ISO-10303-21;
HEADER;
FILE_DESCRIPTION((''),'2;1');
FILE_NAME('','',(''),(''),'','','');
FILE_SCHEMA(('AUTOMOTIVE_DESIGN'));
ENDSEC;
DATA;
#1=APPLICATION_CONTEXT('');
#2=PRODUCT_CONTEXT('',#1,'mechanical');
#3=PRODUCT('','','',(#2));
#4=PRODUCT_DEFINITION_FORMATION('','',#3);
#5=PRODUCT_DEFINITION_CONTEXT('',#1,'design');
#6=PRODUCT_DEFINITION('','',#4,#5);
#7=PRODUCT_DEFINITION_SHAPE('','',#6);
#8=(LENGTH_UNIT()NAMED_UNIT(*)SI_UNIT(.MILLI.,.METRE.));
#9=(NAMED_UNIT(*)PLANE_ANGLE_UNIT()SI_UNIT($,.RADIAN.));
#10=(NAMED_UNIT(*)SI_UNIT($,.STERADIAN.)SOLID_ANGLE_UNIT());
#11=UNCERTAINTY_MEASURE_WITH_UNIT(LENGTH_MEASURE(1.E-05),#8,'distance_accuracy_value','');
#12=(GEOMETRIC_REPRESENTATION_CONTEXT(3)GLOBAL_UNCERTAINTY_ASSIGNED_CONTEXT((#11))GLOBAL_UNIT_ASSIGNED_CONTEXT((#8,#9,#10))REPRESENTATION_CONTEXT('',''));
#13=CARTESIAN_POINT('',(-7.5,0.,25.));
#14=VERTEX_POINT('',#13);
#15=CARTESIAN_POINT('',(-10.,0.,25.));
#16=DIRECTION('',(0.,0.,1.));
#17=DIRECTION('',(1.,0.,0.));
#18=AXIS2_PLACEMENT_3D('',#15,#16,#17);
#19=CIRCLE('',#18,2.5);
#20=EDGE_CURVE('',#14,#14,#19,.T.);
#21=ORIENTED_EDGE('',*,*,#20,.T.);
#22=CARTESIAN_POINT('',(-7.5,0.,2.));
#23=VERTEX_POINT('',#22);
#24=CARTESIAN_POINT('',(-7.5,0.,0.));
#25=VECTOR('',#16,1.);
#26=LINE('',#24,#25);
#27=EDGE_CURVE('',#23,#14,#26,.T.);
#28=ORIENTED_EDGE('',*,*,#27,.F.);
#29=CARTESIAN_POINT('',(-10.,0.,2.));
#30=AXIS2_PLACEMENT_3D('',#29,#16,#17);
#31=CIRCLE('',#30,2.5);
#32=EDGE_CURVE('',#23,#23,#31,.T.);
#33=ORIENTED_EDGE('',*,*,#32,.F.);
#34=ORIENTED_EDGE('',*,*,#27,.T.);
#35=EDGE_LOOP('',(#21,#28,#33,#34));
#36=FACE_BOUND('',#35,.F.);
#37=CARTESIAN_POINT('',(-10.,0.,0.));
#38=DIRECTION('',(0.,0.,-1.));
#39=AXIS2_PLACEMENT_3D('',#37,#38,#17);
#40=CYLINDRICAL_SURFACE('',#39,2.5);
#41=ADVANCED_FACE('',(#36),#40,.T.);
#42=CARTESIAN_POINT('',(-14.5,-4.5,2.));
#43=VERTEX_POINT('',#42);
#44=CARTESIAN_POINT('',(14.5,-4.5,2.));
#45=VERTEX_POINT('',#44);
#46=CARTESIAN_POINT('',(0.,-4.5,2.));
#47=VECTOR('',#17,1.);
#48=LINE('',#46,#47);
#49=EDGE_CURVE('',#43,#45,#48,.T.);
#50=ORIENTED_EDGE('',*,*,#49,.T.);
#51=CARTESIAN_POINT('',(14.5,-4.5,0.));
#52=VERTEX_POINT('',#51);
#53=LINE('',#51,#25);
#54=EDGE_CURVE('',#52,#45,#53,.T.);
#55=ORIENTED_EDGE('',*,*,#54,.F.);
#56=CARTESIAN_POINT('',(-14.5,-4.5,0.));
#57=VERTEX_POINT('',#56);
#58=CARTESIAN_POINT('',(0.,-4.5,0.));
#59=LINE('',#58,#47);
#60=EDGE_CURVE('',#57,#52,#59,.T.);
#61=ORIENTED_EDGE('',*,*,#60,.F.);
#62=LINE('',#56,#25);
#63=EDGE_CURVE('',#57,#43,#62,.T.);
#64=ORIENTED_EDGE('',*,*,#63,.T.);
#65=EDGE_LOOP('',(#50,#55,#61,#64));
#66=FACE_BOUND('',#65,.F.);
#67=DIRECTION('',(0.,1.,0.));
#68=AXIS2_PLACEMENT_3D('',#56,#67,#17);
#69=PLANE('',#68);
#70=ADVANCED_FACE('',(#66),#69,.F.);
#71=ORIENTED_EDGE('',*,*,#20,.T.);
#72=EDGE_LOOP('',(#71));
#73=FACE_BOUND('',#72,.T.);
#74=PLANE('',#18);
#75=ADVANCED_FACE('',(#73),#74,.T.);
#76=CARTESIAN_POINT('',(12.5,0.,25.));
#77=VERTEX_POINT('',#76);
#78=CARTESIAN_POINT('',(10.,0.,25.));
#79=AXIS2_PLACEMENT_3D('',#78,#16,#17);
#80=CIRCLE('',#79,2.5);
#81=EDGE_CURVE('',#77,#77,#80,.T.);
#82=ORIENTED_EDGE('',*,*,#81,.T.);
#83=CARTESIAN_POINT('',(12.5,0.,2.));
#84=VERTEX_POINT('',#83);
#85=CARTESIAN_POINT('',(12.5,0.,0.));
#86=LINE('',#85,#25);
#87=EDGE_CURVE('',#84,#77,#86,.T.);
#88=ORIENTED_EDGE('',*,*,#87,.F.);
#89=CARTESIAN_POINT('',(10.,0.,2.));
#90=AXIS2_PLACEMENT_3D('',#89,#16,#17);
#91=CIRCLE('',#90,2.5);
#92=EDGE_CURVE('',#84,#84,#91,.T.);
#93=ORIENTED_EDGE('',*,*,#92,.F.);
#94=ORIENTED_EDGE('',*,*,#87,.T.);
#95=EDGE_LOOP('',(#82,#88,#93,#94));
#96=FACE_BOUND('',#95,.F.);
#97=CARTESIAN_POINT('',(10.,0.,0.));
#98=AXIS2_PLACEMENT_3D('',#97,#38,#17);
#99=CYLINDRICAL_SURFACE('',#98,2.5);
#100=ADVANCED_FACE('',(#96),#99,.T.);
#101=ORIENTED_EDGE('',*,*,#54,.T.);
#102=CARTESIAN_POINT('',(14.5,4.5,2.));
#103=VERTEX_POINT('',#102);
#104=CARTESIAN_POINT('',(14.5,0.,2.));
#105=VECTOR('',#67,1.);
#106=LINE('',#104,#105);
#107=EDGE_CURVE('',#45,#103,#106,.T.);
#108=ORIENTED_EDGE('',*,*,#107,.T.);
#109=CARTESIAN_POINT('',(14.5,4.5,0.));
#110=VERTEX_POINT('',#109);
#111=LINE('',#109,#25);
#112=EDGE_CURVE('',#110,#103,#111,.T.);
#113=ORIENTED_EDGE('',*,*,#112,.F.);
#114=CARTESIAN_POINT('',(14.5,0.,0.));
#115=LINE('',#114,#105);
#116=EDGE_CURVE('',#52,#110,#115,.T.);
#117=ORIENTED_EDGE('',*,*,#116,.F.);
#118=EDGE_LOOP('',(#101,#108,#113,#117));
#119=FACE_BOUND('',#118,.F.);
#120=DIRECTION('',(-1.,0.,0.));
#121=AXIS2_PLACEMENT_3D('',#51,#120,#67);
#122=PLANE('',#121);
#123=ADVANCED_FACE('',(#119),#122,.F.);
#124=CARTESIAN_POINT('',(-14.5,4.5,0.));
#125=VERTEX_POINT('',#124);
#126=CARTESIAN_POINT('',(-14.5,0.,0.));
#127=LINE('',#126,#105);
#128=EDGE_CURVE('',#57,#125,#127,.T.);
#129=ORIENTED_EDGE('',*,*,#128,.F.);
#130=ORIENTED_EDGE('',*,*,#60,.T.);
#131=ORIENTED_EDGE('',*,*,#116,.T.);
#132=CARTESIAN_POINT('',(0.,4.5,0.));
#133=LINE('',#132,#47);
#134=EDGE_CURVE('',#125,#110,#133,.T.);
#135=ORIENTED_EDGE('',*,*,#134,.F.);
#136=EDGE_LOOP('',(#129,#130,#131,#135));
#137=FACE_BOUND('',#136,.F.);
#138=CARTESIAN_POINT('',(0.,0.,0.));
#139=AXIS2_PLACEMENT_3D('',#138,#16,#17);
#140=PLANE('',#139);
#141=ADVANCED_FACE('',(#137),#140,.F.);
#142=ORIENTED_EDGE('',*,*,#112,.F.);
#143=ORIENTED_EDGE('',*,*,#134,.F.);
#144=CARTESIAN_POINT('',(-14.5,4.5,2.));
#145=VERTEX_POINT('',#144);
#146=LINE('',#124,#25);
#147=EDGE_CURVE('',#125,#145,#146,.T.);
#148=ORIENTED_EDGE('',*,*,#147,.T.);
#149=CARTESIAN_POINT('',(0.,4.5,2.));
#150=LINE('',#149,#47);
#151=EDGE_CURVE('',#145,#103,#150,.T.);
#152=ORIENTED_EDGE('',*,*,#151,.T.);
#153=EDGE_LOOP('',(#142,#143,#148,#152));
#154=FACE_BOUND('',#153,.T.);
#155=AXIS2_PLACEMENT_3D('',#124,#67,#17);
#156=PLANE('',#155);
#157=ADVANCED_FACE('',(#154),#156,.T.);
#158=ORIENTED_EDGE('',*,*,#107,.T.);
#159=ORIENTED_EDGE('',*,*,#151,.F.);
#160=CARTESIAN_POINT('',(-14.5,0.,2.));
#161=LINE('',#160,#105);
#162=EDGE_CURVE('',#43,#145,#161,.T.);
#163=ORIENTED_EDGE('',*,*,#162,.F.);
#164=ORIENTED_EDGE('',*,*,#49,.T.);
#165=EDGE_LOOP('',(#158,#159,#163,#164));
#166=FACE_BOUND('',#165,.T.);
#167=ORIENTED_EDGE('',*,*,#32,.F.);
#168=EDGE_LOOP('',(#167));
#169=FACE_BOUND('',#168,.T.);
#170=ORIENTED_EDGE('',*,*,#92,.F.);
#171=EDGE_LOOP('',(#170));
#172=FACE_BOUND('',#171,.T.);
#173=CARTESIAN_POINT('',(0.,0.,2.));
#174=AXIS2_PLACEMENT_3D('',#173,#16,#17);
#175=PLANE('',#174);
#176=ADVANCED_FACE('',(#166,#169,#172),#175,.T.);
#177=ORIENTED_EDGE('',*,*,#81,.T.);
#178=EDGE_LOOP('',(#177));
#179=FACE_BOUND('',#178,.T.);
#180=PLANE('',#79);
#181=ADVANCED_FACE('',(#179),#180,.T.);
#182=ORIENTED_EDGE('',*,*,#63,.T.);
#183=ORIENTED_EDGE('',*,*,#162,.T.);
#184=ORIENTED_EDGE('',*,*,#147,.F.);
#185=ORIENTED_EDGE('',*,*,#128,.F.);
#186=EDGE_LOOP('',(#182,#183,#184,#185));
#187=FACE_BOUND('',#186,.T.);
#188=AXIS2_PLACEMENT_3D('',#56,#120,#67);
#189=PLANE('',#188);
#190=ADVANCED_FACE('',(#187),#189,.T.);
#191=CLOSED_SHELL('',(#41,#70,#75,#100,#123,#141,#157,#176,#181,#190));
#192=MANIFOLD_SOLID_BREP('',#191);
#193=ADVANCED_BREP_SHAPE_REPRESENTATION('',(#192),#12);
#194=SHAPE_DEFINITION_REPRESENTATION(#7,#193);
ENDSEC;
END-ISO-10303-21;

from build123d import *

# Parameters (mm, degrees)
F0_W     = 29
F0_H     = 9
F0_R     = 2.5
F1_DEPTH = 2
F2_DEPTH = 25


with BuildPart() as f1:
    # F0 (on Top) → F1 (new body)
    with BuildSketch(Plane.XY):
        Rectangle(F0_W, F0_H)
        with Locations((-10, 0)):
            Circle(F0_R, mode=Mode.SUBTRACT)
        with Locations((10, 0)):
            Circle(F0_R, mode=Mode.SUBTRACT)
    extrude(amount=F1_DEPTH)

    # F0 (on Top) → F2 (join)
    with BuildSketch(Plane.XY):
        with Locations((10, 0)):
            Circle(F0_R)
        with Locations((-10, 0)):
            Circle(F0_R)
    extrude(amount=F2_DEPTH)


solid = f1.part
